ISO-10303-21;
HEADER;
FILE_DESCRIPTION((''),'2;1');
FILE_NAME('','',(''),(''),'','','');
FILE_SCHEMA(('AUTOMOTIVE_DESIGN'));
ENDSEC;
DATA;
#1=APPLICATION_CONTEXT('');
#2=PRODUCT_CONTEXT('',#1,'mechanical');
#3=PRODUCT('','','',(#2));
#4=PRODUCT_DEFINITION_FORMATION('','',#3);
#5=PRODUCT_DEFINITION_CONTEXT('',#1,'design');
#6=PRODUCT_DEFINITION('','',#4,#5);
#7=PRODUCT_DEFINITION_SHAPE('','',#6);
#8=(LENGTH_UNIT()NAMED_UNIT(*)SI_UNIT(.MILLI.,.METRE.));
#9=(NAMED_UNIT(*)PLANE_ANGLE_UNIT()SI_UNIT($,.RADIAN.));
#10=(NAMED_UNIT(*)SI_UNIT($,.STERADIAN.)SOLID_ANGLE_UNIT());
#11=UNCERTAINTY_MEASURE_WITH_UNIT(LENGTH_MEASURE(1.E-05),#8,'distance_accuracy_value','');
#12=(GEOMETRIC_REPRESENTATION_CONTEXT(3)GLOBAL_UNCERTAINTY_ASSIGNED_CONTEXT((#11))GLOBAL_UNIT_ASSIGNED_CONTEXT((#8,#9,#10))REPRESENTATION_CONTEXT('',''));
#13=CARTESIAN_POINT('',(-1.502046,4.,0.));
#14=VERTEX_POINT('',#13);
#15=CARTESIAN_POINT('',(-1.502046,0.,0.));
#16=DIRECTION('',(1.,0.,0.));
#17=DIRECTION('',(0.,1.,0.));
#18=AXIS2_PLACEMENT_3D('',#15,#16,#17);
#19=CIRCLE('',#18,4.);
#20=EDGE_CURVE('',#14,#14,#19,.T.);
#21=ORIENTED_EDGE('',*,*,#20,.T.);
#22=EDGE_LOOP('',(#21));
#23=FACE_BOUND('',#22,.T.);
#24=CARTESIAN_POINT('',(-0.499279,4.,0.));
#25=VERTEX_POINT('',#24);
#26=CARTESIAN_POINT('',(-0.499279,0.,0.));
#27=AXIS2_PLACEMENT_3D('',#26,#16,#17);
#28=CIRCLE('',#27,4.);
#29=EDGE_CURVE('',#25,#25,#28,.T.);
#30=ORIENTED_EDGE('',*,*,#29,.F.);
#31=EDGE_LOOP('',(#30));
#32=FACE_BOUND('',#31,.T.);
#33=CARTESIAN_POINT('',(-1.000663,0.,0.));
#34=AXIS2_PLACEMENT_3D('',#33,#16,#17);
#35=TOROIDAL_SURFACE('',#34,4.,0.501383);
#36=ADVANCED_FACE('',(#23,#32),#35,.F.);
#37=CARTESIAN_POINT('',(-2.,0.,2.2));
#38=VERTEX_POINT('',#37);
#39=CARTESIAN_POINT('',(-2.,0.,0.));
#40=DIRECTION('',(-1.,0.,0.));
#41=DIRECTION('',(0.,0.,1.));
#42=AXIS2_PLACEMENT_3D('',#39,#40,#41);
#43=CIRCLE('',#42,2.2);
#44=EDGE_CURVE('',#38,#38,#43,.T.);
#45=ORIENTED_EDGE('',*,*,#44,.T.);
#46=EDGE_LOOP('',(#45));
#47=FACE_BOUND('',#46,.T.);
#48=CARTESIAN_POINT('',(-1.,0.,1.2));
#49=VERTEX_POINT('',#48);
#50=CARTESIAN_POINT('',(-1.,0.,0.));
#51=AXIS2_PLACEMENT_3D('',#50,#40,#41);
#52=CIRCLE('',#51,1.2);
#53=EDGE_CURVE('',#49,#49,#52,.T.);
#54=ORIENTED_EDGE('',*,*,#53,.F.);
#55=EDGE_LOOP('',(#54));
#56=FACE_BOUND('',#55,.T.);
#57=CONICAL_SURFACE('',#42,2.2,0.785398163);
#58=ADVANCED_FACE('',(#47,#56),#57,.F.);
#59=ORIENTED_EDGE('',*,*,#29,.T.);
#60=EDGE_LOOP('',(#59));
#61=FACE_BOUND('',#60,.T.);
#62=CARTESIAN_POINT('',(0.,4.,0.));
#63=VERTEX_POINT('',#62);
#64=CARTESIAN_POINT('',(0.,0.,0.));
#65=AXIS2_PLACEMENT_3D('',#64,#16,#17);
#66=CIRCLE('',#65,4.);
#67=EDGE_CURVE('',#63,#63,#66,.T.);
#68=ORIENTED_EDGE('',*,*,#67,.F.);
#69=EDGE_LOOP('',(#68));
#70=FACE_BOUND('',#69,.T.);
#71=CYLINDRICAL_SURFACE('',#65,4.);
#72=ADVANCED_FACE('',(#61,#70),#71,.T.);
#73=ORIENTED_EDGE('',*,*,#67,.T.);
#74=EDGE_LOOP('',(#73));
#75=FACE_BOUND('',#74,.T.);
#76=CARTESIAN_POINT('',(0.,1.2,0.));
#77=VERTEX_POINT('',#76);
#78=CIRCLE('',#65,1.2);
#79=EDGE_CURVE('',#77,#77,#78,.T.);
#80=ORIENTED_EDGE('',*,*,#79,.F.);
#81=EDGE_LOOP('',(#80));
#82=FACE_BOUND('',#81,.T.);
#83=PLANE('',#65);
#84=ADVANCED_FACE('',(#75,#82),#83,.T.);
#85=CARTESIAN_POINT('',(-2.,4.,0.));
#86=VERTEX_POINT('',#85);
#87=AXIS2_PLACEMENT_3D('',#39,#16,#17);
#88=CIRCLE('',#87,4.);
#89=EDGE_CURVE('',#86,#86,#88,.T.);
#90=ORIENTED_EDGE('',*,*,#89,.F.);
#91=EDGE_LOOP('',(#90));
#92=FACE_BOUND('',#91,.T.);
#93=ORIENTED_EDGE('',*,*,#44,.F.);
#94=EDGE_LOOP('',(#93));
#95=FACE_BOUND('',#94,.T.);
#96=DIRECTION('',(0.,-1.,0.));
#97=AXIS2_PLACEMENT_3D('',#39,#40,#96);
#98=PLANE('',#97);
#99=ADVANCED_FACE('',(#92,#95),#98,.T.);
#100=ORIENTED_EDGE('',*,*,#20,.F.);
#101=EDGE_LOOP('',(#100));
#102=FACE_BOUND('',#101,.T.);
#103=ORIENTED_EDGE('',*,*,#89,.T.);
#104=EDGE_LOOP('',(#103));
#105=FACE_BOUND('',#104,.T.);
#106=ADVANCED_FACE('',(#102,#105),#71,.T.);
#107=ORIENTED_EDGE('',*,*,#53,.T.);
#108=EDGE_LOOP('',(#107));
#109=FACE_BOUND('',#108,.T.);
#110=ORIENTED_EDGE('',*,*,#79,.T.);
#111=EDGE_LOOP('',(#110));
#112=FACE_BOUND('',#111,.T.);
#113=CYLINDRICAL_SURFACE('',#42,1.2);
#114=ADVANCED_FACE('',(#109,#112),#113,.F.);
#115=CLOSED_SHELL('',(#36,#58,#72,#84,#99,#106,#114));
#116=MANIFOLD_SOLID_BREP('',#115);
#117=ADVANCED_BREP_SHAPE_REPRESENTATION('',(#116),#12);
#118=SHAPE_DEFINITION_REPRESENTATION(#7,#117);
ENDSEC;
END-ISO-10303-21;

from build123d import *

# Parameters (mm, degrees)
FORMSENKUNG_F_R_M2_LINSENSENKSCHRAUBE_MI_D           = 2.4
FORMSENKUNG_F_R_M2_LINSENSENKSCHRAUBE_MI_DEPTH       = 5
FORMSENKUNG_F_R_M2_LINSENSENKSCHRAUBE_MI_CSINK_D     = 4.4
FORMSENKUNG_F_R_M2_LINSENSENKSCHRAUBE_MI_CSINK_ANGLE = 90
FORMSENKUNG_F_R_M2_LINSENSENKSCHRAUBE_MI_TIP         = 0.721032743


with BuildPart() as part:
    # Skizze1 → Rotation1 (revolve)
    with BuildSketch(Plane.XY):
        with BuildLine():
            Line((0, 0), (0, 4))
            Line((0, 4), (-0.499279021, 4))
            ThreePointArc((-0.499279021, 4), (-1.000662513, 3.498616507), (-1.502046006, 4))
            Line((-1.502046006, 4), (-2, 4))
            Line((-2, 4), (-2, 0))
            Line((-2, 0), (0, 0))
        make_face()
    revolve(axis=Axis((0, 0, 0), (-1, 0, 0)))

    # Formsenkung für M2 Linsensenkschraube mit Schlitz1
    with Locations(Plane.ZY.offset(2)):
        with Locations((0, 0)):
            CounterSinkHole(FORMSENKUNG_F_R_M2_LINSENSENKSCHRAUBE_MI_D / 2, FORMSENKUNG_F_R_M2_LINSENSENKSCHRAUBE_MI_CSINK_D / 2, depth=FORMSENKUNG_F_R_M2_LINSENSENKSCHRAUBE_MI_DEPTH, counter_sink_angle=FORMSENKUNG_F_R_M2_LINSENSENKSCHRAUBE_MI_CSINK_ANGLE)
            with Locations((0, 0, -(FORMSENKUNG_F_R_M2_LINSENSENKSCHRAUBE_MI_DEPTH + FORMSENKUNG_F_R_M2_LINSENSENKSCHRAUBE_MI_TIP / 2))):  # 118° drill point
                Cone(0, FORMSENKUNG_F_R_M2_LINSENSENKSCHRAUBE_MI_D / 2, FORMSENKUNG_F_R_M2_LINSENSENKSCHRAUBE_MI_TIP, mode=Mode.SUBTRACT)


solid = part.part
